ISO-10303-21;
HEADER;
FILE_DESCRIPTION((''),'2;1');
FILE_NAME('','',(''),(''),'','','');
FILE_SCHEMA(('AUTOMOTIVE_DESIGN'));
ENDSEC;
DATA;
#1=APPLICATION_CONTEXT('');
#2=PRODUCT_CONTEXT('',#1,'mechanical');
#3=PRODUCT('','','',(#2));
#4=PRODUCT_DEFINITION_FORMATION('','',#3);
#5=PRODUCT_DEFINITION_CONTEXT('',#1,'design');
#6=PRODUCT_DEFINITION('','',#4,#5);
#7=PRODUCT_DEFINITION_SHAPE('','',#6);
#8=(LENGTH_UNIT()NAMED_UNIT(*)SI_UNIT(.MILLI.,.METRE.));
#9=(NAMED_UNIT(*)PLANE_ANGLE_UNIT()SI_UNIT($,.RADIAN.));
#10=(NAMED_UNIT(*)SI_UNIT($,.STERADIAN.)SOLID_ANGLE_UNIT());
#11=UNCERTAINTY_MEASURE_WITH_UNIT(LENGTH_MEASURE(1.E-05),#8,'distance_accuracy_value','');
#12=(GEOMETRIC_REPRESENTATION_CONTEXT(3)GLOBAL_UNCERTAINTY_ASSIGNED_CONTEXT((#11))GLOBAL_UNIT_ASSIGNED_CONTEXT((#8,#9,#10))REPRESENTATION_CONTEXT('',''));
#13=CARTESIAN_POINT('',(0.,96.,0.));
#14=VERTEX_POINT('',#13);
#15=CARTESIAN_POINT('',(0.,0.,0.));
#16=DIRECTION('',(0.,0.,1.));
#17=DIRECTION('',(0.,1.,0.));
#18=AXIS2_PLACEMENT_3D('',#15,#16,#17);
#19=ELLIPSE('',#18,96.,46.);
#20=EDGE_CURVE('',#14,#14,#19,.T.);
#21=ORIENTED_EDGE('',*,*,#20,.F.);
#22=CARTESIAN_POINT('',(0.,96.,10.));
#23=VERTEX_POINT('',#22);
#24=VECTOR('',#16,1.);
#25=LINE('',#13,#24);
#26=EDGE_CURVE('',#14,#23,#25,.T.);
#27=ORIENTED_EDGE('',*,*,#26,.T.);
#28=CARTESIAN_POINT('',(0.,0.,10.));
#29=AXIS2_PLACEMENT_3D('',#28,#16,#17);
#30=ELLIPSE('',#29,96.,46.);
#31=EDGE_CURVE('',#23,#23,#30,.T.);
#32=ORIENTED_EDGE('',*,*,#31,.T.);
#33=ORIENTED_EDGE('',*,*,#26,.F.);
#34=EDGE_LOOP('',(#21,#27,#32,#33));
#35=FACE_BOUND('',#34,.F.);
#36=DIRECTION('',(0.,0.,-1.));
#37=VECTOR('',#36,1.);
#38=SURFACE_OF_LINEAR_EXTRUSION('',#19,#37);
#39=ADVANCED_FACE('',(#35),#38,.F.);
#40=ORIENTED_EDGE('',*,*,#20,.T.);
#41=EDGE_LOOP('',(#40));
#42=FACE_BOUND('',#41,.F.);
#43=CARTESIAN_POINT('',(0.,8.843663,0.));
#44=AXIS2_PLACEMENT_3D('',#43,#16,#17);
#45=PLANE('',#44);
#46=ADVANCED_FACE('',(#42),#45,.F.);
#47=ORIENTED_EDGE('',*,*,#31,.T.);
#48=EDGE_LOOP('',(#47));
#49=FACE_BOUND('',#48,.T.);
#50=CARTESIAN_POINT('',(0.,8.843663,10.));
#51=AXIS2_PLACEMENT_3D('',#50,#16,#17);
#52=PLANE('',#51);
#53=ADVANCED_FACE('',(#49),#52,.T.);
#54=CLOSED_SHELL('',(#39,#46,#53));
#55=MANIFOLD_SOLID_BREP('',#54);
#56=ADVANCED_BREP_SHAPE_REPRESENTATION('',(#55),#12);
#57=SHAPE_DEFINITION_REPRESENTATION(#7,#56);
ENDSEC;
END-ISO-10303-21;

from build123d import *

# Parameters (mm, degrees)
SKETCH_1_RX     = 96
SKETCH_1_RY     = 46
EXTRUDE_1_DEPTH = 10


with BuildPart() as part:
    # Эскиз1 → Бобышка-Вытянуть1 (new body)
    with BuildSketch(Plane.XY):
        with Locations(Location((0, 0), (0, 0, 90))):
            Ellipse(SKETCH_1_RX, SKETCH_1_RY)
    extrude(amount=EXTRUDE_1_DEPTH)


solid = part.part
